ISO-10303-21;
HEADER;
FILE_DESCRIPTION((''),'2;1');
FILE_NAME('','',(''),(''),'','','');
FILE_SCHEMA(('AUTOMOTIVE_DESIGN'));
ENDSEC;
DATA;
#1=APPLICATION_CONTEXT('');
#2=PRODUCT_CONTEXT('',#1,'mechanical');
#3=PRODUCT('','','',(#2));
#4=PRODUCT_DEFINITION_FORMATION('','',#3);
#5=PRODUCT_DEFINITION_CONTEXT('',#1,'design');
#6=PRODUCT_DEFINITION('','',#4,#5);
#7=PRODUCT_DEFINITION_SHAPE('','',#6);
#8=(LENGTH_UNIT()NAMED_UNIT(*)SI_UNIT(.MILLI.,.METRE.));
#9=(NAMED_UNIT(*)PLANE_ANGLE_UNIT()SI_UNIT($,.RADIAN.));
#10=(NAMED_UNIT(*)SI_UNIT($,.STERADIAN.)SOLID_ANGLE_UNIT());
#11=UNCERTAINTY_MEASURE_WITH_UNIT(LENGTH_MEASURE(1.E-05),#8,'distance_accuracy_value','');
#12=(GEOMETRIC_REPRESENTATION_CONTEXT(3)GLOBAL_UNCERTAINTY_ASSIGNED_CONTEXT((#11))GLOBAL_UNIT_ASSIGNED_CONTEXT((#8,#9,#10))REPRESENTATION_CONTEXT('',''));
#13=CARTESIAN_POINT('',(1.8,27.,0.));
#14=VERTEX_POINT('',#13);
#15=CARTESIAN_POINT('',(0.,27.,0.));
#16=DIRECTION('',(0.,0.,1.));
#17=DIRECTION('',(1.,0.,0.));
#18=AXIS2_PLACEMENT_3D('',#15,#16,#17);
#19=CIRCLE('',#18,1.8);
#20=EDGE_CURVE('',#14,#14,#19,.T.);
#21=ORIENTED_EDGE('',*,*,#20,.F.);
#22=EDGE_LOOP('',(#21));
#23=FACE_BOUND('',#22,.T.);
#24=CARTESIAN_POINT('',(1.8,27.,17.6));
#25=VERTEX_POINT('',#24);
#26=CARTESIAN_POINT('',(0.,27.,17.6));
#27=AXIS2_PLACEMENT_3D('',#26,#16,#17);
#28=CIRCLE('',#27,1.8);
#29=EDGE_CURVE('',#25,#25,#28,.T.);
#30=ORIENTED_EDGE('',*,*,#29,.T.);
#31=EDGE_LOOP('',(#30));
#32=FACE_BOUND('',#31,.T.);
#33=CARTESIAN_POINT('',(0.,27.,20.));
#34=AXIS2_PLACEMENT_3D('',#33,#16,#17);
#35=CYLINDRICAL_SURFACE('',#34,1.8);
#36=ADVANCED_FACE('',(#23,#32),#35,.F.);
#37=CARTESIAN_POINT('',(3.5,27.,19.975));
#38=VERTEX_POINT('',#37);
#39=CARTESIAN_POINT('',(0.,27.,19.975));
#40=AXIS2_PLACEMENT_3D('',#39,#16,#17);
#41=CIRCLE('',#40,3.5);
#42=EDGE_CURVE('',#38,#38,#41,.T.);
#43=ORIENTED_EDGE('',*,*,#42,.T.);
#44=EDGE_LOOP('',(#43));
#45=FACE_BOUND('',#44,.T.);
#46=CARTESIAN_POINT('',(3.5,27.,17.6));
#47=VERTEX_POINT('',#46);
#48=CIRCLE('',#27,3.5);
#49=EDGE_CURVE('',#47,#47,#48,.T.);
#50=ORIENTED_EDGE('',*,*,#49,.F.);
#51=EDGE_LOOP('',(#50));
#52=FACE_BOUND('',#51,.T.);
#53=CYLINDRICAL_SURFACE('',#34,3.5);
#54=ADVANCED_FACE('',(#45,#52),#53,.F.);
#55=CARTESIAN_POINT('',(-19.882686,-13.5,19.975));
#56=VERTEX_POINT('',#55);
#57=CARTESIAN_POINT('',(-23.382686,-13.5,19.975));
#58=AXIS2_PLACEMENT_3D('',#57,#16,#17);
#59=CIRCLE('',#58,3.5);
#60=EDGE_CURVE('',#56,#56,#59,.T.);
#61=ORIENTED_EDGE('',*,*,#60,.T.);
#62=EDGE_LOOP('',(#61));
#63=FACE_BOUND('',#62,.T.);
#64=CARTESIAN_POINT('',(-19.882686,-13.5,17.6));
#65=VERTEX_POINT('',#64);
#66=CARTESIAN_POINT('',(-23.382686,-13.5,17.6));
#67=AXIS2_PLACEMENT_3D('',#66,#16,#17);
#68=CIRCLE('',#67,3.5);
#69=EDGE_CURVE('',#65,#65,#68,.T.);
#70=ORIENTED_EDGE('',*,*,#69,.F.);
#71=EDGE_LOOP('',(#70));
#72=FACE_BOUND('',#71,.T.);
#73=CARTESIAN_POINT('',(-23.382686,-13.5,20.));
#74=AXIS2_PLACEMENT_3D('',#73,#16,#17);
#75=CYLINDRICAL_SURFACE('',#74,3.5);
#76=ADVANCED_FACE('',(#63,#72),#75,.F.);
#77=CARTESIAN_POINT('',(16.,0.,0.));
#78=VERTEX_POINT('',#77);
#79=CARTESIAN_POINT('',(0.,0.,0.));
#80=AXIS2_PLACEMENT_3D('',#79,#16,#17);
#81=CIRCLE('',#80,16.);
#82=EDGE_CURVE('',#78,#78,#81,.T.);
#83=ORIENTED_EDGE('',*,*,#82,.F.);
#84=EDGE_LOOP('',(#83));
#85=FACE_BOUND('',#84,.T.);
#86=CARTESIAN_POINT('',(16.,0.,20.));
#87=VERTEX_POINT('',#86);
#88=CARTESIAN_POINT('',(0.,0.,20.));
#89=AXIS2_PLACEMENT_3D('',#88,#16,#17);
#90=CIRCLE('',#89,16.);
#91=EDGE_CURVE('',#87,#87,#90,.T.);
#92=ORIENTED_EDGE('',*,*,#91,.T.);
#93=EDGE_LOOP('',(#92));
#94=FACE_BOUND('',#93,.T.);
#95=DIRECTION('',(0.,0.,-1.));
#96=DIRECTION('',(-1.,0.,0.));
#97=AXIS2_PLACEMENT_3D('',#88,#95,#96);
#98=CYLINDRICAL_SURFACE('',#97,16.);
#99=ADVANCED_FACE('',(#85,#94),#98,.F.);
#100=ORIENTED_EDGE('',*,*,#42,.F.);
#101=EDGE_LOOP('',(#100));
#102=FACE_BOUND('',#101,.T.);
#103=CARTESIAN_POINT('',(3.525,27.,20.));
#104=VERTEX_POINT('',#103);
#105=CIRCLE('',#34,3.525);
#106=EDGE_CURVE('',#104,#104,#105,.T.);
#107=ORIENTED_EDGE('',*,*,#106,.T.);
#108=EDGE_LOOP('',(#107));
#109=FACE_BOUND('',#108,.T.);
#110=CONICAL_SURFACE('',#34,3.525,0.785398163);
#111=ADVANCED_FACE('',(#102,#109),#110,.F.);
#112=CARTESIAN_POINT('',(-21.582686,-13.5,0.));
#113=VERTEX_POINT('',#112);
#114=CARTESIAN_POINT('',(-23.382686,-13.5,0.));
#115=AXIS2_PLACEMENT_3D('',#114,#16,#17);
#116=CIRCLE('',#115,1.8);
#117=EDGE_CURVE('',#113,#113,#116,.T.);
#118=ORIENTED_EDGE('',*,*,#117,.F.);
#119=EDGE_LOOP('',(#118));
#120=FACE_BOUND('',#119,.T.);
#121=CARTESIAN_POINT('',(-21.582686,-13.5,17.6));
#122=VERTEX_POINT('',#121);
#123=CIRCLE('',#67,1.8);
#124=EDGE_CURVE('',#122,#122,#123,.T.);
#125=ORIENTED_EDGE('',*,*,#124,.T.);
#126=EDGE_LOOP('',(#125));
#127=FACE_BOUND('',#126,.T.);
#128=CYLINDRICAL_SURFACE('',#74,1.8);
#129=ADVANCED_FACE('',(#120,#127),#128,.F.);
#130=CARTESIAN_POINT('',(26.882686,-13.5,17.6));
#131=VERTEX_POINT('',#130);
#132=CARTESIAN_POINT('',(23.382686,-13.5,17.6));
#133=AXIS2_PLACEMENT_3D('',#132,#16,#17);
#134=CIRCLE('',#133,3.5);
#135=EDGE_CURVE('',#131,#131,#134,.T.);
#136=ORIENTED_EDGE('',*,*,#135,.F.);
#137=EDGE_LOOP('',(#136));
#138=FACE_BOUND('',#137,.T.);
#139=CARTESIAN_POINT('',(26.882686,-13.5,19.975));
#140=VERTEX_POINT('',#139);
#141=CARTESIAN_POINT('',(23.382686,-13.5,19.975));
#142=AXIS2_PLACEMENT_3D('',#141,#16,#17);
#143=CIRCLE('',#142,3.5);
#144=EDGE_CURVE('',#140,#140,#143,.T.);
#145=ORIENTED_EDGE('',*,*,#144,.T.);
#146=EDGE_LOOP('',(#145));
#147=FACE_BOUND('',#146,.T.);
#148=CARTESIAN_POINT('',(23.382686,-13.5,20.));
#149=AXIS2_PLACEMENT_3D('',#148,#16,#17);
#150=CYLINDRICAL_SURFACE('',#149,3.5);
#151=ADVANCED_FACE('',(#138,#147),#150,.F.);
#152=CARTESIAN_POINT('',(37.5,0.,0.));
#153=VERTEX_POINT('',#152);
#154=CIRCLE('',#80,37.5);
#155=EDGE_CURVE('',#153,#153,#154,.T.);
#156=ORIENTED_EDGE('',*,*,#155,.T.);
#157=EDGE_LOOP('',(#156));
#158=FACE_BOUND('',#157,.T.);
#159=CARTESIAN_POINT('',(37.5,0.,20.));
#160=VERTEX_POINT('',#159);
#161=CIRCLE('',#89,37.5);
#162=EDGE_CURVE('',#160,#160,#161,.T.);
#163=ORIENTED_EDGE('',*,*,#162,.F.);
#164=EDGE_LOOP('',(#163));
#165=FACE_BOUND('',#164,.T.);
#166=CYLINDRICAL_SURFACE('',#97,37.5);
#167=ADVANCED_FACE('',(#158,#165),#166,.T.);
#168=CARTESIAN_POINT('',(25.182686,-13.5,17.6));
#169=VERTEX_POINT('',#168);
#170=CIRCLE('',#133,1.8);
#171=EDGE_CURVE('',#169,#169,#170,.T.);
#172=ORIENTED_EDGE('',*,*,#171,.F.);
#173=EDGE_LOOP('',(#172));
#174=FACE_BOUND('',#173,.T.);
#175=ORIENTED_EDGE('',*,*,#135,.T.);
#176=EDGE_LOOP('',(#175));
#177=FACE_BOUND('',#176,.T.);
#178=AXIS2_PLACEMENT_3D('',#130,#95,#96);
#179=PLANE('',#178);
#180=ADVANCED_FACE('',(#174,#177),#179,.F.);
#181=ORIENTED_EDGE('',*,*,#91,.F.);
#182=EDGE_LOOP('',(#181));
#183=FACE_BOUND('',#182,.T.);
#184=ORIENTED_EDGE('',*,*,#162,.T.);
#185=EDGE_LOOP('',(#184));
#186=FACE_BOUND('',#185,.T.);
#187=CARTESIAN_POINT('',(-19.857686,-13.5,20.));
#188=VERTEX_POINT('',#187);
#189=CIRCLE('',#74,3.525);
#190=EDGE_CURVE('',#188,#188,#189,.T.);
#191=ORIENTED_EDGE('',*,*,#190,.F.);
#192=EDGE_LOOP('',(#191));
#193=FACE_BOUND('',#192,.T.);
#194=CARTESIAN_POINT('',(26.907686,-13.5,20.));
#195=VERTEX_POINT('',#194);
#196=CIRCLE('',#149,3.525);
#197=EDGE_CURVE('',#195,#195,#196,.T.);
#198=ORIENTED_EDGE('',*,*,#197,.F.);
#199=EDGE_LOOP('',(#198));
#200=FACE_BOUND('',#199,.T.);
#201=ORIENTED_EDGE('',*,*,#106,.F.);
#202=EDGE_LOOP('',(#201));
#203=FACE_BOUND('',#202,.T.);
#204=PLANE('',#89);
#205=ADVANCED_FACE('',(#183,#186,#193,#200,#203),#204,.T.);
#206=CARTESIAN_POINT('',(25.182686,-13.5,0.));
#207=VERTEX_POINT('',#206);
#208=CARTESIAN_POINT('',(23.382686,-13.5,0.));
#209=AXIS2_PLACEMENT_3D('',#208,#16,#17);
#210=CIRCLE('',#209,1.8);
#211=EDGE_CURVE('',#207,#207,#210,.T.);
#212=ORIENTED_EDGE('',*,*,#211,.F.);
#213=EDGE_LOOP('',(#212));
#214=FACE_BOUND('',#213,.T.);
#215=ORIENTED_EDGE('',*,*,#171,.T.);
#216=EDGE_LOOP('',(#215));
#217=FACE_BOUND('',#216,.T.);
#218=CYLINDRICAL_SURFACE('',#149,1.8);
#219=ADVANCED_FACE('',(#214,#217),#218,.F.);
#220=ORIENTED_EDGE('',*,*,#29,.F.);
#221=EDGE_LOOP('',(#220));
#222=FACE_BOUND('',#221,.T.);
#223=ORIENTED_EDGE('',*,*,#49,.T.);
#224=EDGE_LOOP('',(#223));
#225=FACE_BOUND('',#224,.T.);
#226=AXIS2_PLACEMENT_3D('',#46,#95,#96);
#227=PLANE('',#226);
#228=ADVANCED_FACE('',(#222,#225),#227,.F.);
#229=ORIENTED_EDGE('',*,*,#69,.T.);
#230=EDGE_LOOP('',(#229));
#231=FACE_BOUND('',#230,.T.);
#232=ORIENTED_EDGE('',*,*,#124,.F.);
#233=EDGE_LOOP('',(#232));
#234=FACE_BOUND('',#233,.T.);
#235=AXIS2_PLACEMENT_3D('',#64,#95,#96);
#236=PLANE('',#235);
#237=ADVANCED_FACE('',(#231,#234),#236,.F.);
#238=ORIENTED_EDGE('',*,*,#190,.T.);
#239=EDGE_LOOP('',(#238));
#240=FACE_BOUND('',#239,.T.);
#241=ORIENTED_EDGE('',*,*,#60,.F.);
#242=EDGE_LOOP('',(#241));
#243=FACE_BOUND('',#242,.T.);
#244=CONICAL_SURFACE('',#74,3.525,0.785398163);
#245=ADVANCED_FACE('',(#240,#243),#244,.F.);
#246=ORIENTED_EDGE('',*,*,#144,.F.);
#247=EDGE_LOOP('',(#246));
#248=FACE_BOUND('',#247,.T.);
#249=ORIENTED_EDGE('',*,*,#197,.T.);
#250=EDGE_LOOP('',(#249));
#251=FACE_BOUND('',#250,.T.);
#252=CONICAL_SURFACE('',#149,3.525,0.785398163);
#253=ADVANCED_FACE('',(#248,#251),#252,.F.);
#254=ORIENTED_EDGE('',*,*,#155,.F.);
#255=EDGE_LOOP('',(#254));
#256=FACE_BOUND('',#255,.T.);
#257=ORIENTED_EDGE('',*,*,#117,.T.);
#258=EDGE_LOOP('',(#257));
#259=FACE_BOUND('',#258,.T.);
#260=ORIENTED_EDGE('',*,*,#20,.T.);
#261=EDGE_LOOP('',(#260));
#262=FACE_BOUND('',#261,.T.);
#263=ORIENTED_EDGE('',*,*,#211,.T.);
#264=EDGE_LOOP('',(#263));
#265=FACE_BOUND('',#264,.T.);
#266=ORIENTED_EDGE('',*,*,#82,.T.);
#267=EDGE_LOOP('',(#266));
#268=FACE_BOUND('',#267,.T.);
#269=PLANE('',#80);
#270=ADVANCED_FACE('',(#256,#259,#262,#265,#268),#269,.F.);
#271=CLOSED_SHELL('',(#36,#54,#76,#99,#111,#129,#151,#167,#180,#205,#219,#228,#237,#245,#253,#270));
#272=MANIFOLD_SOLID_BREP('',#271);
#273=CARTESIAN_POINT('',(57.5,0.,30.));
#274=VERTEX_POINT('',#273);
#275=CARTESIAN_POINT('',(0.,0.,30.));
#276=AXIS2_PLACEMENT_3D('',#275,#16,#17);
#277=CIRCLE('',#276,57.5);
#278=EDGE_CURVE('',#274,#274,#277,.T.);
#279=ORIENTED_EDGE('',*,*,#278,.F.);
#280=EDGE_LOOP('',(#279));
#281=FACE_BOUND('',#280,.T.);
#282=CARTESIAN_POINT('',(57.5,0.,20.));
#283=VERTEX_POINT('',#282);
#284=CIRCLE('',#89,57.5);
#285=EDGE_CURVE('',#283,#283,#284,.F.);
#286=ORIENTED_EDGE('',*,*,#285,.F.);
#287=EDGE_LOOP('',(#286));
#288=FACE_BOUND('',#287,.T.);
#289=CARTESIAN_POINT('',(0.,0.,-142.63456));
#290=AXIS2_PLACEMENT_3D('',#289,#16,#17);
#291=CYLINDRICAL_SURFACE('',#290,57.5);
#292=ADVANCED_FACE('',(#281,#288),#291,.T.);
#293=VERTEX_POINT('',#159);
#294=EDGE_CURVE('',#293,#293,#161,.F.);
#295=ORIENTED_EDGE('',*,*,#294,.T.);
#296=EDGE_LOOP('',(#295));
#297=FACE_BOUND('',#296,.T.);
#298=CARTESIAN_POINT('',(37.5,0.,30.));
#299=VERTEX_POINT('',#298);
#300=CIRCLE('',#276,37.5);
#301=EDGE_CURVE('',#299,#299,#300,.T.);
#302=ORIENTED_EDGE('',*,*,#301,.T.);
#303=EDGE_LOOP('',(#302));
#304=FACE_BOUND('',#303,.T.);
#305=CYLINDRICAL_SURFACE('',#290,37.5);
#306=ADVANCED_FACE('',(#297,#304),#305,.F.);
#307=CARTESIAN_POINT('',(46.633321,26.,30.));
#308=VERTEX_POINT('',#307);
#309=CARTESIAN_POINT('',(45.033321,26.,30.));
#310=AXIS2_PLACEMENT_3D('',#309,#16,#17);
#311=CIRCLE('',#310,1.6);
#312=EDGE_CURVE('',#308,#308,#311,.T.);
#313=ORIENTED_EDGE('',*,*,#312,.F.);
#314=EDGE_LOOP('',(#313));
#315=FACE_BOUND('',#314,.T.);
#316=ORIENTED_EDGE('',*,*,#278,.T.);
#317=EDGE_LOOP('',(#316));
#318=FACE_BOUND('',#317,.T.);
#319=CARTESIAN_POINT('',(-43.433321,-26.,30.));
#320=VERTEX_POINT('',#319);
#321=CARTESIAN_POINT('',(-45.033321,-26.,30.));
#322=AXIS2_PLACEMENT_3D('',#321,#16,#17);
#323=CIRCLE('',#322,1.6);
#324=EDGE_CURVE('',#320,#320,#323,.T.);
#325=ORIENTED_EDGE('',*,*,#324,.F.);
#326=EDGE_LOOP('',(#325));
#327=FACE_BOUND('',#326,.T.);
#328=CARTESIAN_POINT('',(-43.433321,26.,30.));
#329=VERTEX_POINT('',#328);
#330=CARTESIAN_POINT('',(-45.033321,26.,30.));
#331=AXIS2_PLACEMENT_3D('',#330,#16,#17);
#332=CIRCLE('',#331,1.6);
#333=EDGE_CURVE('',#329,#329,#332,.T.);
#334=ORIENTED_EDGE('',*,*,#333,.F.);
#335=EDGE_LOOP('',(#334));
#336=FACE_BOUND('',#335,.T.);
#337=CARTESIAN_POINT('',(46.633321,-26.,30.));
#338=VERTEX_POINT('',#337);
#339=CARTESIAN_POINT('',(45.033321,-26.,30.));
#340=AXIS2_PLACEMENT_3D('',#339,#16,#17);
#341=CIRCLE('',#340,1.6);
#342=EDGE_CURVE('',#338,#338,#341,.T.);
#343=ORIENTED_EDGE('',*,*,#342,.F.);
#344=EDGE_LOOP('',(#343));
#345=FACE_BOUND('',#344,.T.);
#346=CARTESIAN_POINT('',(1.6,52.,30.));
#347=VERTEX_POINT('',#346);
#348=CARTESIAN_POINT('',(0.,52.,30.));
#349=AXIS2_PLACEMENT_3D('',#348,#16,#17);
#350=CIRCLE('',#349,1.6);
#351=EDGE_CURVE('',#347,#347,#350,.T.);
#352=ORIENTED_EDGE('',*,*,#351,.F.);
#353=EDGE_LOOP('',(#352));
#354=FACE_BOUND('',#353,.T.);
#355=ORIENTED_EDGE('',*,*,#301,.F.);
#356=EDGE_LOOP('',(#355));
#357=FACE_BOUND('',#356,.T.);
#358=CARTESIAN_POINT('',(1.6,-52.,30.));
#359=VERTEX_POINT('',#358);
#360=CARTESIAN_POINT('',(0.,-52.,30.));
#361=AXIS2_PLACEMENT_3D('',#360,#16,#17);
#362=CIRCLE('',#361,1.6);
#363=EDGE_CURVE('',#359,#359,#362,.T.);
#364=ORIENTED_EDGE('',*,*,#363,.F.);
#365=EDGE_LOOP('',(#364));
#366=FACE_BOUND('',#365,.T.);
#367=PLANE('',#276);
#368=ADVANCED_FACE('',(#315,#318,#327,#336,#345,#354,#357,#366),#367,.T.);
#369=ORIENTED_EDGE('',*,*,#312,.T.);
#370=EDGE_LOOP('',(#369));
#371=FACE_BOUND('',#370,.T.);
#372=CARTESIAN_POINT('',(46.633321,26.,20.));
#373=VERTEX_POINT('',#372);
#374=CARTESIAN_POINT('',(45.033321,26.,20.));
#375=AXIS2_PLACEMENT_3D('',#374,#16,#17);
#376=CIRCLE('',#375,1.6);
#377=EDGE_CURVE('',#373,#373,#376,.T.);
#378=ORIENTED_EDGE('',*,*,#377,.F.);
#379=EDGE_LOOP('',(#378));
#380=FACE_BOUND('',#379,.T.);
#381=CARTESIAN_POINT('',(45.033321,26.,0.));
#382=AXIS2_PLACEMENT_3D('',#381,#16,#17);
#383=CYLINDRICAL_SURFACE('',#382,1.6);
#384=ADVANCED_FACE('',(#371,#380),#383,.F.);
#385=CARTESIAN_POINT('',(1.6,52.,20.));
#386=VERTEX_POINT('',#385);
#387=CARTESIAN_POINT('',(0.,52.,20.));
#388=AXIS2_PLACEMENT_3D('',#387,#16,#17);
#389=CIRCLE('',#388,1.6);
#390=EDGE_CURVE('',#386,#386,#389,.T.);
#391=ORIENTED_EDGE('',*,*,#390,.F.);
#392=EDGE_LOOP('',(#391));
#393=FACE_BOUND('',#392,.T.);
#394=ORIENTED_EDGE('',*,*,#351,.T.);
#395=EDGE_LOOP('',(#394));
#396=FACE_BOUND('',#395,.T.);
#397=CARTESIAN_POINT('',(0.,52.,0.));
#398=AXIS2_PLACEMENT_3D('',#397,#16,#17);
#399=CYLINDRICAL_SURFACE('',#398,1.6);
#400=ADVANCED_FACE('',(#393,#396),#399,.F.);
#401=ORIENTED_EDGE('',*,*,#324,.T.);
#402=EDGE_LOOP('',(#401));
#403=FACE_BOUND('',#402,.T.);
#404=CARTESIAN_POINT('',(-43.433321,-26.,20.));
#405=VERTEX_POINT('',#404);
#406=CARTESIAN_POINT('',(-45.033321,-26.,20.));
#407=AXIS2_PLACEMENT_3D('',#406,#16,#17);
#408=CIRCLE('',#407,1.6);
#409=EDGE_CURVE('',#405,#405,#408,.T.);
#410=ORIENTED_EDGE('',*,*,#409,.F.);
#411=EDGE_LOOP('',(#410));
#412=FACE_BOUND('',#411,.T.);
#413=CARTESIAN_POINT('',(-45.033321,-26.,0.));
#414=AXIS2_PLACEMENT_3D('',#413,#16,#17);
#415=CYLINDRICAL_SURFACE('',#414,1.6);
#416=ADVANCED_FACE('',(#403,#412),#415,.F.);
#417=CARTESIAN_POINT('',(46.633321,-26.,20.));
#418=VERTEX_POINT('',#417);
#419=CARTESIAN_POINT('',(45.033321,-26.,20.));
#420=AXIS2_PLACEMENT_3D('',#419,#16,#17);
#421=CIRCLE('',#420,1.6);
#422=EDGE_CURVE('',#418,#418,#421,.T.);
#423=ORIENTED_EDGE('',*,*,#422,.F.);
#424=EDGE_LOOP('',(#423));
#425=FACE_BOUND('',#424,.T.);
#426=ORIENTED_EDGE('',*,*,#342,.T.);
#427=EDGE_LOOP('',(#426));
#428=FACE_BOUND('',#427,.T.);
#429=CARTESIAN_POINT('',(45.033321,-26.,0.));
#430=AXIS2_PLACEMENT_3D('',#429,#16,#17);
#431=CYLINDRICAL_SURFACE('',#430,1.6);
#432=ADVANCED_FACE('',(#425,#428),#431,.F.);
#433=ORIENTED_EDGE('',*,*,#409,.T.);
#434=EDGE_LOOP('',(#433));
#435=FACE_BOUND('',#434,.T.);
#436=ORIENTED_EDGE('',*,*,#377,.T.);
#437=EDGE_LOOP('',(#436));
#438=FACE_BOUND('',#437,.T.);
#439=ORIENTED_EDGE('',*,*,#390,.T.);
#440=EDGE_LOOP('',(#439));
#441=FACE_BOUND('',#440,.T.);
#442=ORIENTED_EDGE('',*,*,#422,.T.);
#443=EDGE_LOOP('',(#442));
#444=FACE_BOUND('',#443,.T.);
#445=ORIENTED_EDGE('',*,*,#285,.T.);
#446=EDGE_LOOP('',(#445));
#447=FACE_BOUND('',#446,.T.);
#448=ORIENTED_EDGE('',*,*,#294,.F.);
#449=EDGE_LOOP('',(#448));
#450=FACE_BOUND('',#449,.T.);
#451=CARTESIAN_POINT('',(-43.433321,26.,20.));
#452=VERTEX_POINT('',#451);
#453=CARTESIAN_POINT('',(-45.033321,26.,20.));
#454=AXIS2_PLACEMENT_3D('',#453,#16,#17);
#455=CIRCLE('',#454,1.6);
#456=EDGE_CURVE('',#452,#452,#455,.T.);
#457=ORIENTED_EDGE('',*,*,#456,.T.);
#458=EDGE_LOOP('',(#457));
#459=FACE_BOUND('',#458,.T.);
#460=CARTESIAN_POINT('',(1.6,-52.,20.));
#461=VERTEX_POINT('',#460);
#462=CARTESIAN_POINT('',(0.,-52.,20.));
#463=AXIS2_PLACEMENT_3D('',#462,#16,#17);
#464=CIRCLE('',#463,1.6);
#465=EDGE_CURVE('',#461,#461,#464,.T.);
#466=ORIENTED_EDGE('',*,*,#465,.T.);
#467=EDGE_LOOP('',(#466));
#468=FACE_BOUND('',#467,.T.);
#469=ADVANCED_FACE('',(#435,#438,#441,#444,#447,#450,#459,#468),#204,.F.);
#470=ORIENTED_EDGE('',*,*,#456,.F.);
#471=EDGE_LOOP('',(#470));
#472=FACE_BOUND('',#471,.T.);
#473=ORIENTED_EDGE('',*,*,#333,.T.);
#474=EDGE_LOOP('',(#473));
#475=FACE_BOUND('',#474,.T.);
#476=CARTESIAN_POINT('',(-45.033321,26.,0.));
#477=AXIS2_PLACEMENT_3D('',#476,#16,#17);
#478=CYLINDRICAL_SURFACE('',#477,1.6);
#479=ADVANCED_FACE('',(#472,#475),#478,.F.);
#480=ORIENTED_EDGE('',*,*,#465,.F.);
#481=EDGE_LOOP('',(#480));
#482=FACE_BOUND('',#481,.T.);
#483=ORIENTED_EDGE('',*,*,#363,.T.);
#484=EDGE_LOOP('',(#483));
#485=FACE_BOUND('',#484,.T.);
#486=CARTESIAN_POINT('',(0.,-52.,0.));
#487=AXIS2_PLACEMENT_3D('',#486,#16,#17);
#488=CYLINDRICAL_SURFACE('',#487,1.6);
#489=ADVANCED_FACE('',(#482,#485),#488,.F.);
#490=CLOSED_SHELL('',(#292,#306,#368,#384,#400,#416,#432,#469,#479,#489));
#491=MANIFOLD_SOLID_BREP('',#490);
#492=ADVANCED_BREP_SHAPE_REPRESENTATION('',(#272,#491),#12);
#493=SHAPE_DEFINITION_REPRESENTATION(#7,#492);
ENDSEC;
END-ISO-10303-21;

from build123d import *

# Parameters (mm, degrees)
SKETCH1_R                                     = 37.5
SKETCH1_R_2                                   = 16
BOSS_EXTRUDE1_DEPTH                           = 20
CBORE_FOR_M3_PAN_HEAD_MACHINE_SCREW1_AT_COUNT = 2
CBORE_FOR_M3_PAN_HEAD_MACHINE_SCREW1_AT_PITCH = 46.765371804
CBORE_FOR_M3_PAN_HEAD_MACHINE_SCREW1_2_COUNT  = 2
CBORE_FOR_M3_PAN_HEAD_MACHINE_SCREW1_2_PITCH  = 46.765371804
SKETCH8_R                                     = 57.5
SKETCH8_R_2                                   = 37.5
BOSS_EXTRUDE3_DEPTH                           = 10
SKETCH9_R                                     = 1.6
CUT_EXTRUDE1_DEPTH                            = 87.674679117


with BuildPart() as part:
    # Sketch1 → Boss-Extrude1 (new body)
    with BuildSketch(Plane.XY):
        Circle(SKETCH1_R)
        Circle(SKETCH1_R_2, mode=Mode.SUBTRACT)
    extrude(amount=BOSS_EXTRUDE1_DEPTH)

    # Sketch3 → CBORE for M3 Pan Head Machine Screw1 (revolve, cut)
    with BuildSketch(Plane(origin=(0, 27, 20), x_dir=(0, -1, 0), z_dir=(1, 0, 0))):
        Polygon((0, 0), (0, 20), (1.8, 20), (1.8, 2.4), (3.5, 2.4), (3.5, 0.025), (3.525, 0), align=None)
    cbore_for_m3_pan_head_machine_screw1 = revolve(axis=Axis((0, 27, 26.35), (0, 0, -1)), mode=Mode.SUBTRACT)

    # CBORE for M3 Pan Head Machine Screw1 at: CBORE for M3 Pan Head Machine Screw1 ×2
    with Locations(*[Vector(-0.500000000000001, -0.8660254037844382, 0) * (i * CBORE_FOR_M3_PAN_HEAD_MACHINE_SCREW1_AT_PITCH) for i in range(1, CBORE_FOR_M3_PAN_HEAD_MACHINE_SCREW1_AT_COUNT)]):
        add(cbore_for_m3_pan_head_machine_screw1, mode=Mode.SUBTRACT)

    # CBORE for M3 Pan Head Machine Screw1 2: CBORE for M3 Pan Head Machine Screw1 ×2
    with Locations(*[Vector(0.5000000000000012, -0.866025403784438, 0) * (i * CBORE_FOR_M3_PAN_HEAD_MACHINE_SCREW1_2_PITCH) for i in range(1, CBORE_FOR_M3_PAN_HEAD_MACHINE_SCREW1_2_COUNT)]):
        add(cbore_for_m3_pan_head_machine_screw1, mode=Mode.SUBTRACT)


with BuildPart() as body_2:
    # Sketch8 → Boss-Extrude3 (new body)
    with BuildSketch(Plane.XY.offset(30)):
        Circle(SKETCH8_R)
        Circle(SKETCH8_R_2, mode=Mode.SUBTRACT)
    extrude(amount=-BOSS_EXTRUDE3_DEPTH)

    # Sketch9 → Cut-Extrude1 (cut, through all)
    with BuildSketch(Plane.XY.offset(30)):
        with Locations((0, 52)):
            Circle(SKETCH9_R)
        with Locations((45.033320997, 26)):
            Circle(SKETCH9_R)
        with Locations((45.033320997, -26)):
            Circle(SKETCH9_R)
        with Locations((0, -52)):
            Circle(SKETCH9_R)
        with Locations((-45.033320997, -26)):
            Circle(SKETCH9_R)
        with Locations((-45.033320997, 26)):
            Circle(SKETCH9_R)
    extrude(amount=-CUT_EXTRUDE1_DEPTH, mode=Mode.SUBTRACT)


solid = Compound([part.part, body_2.part])
